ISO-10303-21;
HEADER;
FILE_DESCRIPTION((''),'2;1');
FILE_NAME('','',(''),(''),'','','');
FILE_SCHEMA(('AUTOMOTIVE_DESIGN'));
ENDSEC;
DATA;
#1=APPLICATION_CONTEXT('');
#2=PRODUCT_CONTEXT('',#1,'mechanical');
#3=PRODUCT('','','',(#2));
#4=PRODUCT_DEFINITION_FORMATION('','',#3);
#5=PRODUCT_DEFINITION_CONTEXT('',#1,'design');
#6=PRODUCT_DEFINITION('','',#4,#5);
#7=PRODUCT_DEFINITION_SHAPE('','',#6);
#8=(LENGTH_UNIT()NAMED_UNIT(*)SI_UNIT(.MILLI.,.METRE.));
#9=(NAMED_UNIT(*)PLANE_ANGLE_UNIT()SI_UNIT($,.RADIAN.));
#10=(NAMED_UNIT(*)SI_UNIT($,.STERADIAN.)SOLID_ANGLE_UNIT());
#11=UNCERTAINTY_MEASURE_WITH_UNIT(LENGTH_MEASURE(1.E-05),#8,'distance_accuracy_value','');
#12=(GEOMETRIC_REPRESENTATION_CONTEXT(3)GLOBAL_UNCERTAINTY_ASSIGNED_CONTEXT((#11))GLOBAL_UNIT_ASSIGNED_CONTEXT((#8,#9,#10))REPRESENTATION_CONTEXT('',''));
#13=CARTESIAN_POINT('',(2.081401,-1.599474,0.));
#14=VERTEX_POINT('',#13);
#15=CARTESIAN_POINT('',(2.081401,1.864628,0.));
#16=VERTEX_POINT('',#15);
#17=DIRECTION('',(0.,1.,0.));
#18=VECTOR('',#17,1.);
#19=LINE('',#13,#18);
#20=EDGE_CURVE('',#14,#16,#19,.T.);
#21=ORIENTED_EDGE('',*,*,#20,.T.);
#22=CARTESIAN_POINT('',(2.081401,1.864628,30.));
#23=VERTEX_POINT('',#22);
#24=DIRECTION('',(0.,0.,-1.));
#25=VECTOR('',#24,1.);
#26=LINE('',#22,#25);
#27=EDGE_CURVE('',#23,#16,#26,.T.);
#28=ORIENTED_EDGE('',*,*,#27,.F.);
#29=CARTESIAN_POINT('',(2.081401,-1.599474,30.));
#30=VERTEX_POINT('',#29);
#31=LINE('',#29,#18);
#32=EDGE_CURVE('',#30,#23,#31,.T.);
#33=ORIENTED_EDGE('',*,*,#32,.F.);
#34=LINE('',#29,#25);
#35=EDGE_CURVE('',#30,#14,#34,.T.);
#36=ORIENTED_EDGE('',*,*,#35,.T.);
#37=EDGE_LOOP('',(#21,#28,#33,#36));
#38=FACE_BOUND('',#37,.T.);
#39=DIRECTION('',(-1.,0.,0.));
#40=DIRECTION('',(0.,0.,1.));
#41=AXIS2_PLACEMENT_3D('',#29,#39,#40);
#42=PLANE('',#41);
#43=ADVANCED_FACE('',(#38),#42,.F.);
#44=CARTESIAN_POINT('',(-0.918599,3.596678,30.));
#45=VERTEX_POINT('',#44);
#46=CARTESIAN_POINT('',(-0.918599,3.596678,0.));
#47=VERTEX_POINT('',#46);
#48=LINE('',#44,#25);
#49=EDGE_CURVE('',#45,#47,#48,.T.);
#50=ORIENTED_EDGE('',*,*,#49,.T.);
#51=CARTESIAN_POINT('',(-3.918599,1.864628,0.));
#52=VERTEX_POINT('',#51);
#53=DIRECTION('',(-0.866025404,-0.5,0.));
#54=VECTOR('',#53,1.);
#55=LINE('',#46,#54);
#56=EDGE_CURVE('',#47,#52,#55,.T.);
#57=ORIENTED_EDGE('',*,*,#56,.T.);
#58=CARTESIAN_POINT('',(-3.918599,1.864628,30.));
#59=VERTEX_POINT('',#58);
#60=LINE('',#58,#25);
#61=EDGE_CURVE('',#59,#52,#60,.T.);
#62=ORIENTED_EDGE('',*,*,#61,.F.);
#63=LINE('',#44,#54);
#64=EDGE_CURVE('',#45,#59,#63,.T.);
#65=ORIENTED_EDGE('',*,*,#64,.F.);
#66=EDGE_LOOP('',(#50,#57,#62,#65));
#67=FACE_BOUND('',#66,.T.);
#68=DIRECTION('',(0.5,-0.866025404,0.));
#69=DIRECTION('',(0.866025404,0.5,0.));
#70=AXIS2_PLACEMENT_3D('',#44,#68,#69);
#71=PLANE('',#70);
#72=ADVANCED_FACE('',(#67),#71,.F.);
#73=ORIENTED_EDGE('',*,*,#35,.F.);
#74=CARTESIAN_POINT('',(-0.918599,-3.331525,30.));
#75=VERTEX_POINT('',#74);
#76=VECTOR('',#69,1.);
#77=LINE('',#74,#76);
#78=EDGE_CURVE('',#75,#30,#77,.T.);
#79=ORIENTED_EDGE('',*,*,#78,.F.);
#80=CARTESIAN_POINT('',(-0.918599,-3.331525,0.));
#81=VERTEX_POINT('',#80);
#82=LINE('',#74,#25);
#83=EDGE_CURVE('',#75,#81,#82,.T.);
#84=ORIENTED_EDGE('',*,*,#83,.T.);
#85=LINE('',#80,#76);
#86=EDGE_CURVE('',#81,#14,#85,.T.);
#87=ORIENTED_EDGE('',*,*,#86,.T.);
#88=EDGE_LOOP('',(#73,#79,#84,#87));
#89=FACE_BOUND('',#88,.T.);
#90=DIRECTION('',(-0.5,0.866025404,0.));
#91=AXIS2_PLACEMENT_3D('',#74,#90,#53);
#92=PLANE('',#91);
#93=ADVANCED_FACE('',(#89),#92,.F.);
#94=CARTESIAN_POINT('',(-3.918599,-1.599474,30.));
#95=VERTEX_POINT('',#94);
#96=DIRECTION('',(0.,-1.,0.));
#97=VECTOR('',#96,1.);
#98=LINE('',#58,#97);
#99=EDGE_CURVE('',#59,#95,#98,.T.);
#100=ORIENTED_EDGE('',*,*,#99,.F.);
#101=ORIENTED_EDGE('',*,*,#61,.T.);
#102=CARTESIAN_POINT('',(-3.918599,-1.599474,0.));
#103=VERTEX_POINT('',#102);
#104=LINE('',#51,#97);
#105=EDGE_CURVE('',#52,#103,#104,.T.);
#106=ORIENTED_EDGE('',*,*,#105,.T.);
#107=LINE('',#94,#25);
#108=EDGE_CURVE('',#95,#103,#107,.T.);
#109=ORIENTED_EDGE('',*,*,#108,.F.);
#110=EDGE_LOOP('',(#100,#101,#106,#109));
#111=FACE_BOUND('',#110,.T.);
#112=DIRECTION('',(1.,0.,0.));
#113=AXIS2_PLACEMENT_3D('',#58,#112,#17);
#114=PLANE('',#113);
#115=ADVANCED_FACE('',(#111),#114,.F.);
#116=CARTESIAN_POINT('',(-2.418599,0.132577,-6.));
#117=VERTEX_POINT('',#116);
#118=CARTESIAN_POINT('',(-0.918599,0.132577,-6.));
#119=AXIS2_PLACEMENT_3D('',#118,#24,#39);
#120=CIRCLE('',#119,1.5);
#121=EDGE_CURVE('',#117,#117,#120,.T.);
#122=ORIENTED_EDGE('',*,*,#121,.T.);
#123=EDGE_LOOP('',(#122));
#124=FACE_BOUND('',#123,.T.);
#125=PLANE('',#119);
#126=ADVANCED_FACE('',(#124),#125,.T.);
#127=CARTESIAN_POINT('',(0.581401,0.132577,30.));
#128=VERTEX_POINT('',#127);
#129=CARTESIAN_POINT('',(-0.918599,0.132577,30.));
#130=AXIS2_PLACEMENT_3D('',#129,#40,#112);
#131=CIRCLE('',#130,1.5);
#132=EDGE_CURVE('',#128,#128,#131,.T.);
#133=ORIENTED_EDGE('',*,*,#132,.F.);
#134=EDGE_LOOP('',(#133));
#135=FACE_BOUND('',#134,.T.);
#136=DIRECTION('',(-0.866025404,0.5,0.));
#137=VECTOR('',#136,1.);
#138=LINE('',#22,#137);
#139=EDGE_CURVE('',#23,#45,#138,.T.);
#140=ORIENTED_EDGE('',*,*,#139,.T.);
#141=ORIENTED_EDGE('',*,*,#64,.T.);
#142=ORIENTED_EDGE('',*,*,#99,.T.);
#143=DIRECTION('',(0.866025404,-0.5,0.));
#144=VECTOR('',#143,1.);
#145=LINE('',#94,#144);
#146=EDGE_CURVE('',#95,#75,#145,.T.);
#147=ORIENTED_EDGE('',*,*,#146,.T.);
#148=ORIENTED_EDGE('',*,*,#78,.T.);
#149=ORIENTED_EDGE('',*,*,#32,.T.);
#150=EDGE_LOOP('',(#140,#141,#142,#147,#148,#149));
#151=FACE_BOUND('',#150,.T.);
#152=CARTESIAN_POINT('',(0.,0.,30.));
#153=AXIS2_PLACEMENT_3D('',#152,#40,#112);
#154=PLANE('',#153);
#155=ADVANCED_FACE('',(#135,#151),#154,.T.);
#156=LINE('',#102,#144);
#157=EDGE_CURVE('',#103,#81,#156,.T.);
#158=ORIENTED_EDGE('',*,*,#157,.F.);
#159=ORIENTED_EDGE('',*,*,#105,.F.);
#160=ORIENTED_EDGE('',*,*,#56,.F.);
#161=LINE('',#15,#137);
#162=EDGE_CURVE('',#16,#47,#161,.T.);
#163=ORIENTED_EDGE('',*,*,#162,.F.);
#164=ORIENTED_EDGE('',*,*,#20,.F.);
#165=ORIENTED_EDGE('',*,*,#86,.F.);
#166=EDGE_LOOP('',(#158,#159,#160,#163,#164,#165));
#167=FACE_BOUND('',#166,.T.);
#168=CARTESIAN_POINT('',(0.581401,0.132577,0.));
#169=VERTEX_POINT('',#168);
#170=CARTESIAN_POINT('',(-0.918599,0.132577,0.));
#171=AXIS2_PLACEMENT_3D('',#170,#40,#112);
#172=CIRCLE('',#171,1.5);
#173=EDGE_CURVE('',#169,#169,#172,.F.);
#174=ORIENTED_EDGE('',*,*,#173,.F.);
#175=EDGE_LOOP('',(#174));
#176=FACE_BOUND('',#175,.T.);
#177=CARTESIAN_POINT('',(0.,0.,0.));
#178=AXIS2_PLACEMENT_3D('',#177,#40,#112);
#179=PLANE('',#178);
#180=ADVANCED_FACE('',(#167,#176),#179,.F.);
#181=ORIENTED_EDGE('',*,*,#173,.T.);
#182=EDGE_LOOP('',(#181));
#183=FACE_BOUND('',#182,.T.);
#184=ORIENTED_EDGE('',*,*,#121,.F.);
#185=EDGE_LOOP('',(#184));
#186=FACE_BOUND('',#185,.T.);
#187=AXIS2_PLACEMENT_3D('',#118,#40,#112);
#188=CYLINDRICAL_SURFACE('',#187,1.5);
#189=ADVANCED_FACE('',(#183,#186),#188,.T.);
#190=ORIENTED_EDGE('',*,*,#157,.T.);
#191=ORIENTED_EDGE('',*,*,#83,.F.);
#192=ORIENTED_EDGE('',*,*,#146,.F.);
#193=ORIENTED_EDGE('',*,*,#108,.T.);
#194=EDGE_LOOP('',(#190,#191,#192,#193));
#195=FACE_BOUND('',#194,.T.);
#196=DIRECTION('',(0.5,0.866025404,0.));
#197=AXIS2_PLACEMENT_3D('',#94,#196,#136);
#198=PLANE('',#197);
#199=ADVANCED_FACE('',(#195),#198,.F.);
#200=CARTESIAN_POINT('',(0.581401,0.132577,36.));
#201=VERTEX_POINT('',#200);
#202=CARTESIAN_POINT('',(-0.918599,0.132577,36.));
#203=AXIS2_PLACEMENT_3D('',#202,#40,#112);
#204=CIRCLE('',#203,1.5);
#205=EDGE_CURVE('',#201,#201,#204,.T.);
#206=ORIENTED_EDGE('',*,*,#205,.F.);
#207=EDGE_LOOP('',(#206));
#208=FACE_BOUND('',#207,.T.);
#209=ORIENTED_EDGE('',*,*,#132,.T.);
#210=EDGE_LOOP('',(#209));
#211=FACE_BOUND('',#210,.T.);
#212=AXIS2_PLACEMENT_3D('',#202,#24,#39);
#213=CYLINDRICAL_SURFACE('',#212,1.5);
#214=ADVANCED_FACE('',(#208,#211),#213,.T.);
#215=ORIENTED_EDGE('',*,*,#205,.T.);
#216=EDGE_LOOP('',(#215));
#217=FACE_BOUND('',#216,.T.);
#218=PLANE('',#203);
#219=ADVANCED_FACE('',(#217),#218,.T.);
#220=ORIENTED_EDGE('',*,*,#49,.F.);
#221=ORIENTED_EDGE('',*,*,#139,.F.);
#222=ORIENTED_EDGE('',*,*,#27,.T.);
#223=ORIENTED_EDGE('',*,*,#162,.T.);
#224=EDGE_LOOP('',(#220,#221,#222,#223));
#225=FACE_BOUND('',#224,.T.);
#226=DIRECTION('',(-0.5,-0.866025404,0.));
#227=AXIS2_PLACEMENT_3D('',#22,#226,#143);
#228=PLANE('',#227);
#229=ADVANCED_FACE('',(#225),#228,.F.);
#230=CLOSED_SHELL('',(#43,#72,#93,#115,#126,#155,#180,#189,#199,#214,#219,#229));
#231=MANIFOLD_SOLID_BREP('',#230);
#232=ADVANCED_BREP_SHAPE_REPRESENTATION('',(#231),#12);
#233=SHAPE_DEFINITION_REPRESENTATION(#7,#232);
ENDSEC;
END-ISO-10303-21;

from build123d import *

# Parameters (mm, degrees)
BOSS_EXTRUDE1_DEPTH = 30
SKETCH2_R           = 1.5
BOSS_EXTRUDE2_DEPTH = 6
SKETCH3_R           = 1.5
BOSS_EXTRUDE3_DEPTH = 6


with BuildPart() as part:
    # Sketch1 → Boss-Extrude1 (new body)
    with BuildSketch(Plane.XY):
        Polygon((-0.918598934, -3.331524887), (2.081401066, -1.599474079), (2.081401066, 1.864627536), (-0.918598934, 3.596678344), (-3.918598934, 1.864627536), (-3.918598934, -1.599474079), align=None)
    extrude(amount=BOSS_EXTRUDE1_DEPTH)

    # Sketch2 → Boss-Extrude2 (add)
    with BuildSketch(Plane.XY.offset(30)):
        with Locations((-0.918598934, 0.132576728)):
            Circle(SKETCH2_R)
    extrude(amount=BOSS_EXTRUDE2_DEPTH)

    # Sketch3 → Boss-Extrude3 (add)
    with BuildSketch(Plane(origin=(0, 0, 0), x_dir=(-1, 0, 0), z_dir=(0, 0, -1))):
        with Locations((0.918598934, 0.132576728)):
            Circle(SKETCH3_R)
    extrude(amount=BOSS_EXTRUDE3_DEPTH)


solid = part.part
